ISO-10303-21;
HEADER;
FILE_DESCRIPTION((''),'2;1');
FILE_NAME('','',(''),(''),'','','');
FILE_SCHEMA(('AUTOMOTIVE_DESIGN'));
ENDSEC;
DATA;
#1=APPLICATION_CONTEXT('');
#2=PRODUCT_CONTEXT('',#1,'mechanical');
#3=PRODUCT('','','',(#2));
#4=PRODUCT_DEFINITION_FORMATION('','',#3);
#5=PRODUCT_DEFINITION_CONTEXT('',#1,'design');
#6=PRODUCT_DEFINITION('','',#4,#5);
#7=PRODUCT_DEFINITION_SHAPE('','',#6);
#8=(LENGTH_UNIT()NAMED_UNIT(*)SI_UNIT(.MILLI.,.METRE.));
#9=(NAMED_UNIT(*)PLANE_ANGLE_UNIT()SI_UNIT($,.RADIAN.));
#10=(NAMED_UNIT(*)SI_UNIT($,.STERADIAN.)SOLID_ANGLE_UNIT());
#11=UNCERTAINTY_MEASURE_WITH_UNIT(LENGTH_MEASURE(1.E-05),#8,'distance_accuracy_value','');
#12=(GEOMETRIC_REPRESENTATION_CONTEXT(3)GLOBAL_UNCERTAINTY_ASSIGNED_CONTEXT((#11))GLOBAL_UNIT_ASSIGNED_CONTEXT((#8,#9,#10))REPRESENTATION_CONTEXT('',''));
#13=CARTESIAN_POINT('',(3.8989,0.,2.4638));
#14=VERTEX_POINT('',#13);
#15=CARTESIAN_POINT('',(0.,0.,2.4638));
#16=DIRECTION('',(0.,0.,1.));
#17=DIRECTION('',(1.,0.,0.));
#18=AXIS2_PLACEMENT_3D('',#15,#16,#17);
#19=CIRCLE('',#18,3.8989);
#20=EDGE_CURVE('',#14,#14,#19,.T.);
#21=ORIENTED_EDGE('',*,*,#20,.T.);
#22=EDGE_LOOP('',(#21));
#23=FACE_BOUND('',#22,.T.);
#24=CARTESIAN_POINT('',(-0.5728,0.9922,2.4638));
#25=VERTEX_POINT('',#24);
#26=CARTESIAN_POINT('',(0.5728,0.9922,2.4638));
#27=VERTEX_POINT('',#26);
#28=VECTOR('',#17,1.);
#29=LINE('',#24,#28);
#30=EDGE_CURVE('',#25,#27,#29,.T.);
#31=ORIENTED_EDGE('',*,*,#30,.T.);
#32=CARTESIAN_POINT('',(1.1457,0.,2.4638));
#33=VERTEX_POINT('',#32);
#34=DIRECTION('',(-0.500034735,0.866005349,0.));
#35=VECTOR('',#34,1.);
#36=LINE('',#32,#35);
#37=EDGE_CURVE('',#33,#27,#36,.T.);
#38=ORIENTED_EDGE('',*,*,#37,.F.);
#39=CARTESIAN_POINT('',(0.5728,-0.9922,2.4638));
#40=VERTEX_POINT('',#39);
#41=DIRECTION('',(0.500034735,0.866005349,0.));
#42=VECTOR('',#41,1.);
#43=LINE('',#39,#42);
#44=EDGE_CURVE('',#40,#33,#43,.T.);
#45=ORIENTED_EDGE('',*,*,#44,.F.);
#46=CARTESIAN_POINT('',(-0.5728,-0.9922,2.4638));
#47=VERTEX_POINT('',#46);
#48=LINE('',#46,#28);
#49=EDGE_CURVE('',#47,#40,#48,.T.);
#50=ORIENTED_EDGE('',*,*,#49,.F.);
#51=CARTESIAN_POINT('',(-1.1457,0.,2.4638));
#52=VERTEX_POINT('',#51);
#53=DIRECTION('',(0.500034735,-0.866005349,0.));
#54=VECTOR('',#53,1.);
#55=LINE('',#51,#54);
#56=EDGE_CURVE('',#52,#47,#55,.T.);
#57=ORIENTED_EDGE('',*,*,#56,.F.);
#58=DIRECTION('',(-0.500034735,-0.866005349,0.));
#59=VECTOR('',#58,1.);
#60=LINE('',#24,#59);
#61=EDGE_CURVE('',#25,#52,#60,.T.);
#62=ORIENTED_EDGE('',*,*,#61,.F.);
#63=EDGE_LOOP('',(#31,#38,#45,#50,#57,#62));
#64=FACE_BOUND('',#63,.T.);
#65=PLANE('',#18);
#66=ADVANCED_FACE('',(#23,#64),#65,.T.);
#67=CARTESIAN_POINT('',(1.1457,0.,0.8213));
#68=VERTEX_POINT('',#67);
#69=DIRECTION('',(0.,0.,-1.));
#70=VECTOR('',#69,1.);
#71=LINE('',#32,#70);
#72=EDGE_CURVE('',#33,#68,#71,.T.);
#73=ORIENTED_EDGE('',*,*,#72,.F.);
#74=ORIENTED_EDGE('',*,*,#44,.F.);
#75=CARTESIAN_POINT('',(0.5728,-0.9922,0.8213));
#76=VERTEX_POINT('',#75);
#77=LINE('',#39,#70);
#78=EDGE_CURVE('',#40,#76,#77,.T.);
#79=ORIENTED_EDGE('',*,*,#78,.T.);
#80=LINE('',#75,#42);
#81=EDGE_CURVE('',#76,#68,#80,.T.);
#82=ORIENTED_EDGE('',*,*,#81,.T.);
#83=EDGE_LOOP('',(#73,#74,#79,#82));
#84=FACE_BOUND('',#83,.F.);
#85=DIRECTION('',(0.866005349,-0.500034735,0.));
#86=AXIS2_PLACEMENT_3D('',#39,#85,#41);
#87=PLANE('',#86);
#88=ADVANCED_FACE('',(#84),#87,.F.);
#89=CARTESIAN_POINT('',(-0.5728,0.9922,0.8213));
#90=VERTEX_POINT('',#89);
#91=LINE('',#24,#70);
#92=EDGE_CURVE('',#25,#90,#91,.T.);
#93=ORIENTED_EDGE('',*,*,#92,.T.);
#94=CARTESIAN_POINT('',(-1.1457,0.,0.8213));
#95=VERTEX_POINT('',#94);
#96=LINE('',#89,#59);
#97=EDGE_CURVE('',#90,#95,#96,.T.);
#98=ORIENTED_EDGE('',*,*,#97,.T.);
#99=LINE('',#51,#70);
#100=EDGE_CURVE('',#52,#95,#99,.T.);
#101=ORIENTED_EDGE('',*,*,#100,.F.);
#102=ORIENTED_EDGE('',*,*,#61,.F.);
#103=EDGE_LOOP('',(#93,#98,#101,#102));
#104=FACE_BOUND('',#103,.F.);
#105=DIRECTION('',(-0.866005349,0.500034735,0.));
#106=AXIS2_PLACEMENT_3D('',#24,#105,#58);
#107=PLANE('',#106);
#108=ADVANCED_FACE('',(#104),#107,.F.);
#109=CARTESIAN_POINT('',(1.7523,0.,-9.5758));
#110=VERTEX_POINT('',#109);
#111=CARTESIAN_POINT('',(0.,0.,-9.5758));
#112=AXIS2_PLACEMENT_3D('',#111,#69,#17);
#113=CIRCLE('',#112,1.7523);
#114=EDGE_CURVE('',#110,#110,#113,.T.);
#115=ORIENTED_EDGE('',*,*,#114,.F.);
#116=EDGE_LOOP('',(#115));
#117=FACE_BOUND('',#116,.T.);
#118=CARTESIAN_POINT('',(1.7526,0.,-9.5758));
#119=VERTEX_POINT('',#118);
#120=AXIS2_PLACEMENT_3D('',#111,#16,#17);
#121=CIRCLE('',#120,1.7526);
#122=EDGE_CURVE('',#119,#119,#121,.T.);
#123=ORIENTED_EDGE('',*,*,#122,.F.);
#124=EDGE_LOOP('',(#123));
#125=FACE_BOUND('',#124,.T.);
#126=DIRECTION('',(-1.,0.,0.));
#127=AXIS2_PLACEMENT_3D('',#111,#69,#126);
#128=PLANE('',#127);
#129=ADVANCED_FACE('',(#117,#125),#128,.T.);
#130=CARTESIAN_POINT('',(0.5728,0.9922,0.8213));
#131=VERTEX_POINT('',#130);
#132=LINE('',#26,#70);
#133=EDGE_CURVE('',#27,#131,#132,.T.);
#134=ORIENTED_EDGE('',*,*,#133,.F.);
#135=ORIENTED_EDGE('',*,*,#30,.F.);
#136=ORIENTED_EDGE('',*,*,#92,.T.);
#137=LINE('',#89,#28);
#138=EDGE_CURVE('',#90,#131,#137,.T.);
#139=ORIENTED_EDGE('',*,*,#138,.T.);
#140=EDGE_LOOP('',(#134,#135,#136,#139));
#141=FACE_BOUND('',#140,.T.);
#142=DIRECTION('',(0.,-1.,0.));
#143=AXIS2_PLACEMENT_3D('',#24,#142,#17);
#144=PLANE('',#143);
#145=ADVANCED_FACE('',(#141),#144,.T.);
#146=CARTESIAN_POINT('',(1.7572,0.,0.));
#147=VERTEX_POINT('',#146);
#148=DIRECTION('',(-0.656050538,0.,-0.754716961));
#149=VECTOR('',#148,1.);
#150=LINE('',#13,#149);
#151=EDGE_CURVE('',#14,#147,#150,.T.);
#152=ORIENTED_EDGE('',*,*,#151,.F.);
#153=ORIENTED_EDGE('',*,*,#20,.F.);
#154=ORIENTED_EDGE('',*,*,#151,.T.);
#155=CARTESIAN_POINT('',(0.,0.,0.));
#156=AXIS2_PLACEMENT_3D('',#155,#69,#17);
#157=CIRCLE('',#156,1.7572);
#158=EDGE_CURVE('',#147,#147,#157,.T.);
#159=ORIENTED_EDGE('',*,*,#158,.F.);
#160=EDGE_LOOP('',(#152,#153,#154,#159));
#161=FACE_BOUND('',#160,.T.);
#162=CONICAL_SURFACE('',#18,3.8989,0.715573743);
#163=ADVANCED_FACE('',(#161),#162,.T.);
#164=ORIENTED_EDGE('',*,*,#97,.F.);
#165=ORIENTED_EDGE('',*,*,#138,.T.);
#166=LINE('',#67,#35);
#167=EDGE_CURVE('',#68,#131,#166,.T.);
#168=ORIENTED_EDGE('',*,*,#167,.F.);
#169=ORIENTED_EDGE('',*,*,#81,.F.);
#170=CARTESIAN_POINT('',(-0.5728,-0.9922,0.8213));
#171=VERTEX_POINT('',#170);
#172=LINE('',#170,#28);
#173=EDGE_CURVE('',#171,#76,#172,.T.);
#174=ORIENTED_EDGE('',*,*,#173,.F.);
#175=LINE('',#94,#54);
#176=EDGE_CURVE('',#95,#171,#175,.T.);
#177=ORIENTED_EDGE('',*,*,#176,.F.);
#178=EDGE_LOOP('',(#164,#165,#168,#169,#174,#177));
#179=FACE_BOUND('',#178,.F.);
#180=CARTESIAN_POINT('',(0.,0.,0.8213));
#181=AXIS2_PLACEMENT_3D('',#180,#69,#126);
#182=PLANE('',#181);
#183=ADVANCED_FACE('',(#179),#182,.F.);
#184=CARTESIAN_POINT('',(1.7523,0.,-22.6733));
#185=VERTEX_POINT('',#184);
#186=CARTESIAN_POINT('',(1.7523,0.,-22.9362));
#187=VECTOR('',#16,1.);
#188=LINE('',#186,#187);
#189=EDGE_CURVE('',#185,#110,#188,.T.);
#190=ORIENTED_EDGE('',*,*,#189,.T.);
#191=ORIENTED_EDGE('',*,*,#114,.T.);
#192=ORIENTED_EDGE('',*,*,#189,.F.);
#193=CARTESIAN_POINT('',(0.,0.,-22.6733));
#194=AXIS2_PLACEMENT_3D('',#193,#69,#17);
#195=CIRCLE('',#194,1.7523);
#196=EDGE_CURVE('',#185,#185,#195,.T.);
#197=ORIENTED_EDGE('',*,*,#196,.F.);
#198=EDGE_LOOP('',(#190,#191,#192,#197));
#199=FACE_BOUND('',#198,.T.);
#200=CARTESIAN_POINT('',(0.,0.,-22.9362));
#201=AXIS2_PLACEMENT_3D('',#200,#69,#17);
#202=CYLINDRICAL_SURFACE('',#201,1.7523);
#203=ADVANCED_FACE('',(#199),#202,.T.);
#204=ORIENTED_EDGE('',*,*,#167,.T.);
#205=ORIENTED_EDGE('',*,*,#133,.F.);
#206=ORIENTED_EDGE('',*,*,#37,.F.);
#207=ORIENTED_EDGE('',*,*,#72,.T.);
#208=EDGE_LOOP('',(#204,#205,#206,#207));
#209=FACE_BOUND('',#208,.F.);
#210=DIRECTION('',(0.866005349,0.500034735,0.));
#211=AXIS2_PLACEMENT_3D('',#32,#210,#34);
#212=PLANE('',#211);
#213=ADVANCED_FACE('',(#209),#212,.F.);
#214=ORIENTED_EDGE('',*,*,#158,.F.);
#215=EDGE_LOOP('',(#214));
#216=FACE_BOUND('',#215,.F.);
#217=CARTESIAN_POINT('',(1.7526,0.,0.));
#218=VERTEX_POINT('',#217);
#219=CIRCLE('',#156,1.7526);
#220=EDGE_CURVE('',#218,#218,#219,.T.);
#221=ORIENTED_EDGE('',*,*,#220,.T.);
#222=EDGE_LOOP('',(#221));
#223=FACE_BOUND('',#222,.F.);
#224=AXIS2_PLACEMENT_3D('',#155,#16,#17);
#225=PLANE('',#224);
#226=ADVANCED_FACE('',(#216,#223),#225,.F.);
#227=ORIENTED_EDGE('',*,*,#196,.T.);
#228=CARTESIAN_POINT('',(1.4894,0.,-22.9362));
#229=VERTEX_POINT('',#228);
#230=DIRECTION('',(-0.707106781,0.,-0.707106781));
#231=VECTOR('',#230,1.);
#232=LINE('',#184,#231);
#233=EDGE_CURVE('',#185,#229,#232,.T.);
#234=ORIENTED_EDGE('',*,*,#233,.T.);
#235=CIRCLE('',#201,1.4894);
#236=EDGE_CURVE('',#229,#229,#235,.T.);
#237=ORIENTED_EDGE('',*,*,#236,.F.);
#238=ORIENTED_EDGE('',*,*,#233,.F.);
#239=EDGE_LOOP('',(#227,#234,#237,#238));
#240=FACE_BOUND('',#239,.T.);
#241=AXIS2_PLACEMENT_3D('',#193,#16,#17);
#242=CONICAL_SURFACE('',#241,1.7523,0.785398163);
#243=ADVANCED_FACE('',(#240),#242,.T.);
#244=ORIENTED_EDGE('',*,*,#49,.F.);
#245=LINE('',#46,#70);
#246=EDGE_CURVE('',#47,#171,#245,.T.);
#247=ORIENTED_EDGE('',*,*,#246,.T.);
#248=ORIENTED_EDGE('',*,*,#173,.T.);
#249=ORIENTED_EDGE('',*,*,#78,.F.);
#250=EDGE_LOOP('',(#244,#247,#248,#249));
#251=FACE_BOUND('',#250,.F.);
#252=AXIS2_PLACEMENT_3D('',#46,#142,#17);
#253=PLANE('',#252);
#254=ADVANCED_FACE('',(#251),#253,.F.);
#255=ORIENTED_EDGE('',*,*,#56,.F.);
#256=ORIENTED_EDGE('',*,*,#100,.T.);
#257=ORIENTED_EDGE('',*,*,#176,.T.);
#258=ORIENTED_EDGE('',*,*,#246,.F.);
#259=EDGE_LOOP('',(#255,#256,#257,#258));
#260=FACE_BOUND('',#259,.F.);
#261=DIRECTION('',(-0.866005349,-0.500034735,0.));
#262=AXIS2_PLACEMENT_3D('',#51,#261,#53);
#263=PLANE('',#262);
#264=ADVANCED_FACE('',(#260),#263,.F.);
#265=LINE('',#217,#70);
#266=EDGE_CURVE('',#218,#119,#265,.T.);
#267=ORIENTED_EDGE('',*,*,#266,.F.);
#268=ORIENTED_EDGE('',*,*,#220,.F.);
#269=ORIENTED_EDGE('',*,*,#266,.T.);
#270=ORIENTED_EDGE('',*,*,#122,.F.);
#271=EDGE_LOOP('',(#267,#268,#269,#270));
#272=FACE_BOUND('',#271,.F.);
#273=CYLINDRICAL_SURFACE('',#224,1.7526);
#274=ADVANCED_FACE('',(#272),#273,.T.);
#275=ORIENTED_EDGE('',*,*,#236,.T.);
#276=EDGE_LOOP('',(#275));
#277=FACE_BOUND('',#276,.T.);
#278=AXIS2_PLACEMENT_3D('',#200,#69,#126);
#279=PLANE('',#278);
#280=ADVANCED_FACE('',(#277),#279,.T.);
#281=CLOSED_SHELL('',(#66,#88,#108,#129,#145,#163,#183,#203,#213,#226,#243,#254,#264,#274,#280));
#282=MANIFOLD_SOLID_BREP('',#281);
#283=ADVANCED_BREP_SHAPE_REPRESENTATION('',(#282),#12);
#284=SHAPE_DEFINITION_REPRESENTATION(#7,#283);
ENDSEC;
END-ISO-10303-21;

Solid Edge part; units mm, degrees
sketch "Sketch1" plane through (0, 0, 0) normal (0, 0, 1) x (1, 0, 0)
  circle A0 centre (0, 0) radius 3.8989
  dimension "D1" = 7.7978
extrude "Protrusion1" add sketch "Sketch1" along normal blind 2.4638
sketch "Sketch2" plane through (0, 0, 0) normal (0, 0, -1) x (1, 0, 0)
  circle A0 centre (0, 0) radius 1.7526
extrude "Protrusion2" add sketch "Sketch2" along normal blind 22.9362
sketch "Sketch3" plane through (0, 0, -22.9362) normal (0, 0, -1) x (1, 0, 0)
  circle A0 centre (0, 0) radius 1.7523
extrude "Cutout1" cut sketch "Sketch3" against normal blind 13.3604 flip side to cut
chamfer "Chamfer_1" distance 0.2629 angle 45 1 edges at (-1.7523, 0, -22.9362)
sketch "Sketch4" plane through (0, 0, 2.4638) normal (0, 0, 1) x (1, 0, 0)
  line L0 (-0.5728, 0.9922) -> (0.5728, 0.9922)
  line L1 (1.1457, 0) -> (0.5728, 0.9922)
  line L2 (0.5728, -0.9922) -> (1.1457, 0)
  line L3 (-0.5728, -0.9922) -> (0.5728, -0.9922)
  line L4 (-1.1457, 0) -> (-0.5728, -0.9922)
  line L5 (-0.5728, 0.9922) -> (-1.1457, 0)
  dimension "D1" = 1.9844
extrude "Cutout2" cut sketch "Sketch4" against normal blind 1.6425
sketch "Sketch5" plane through (0, 0, 0) normal (0, -1, 0) x (1, 0, 0)
  line L0 (3.8989, 2.4638) -> (1.7572, 0)
  line L1 (1.7572, 0) -> (3.8989, 0)
  line L2 (3.8989, 0) -> (3.8989, 2.4638)
revolve "RevolvedCutout1" cut sketch "Sketch5" angle 360 about axis through (0, 0, 14.0017) along (0, 0, -1)
properties part number "24105999"
